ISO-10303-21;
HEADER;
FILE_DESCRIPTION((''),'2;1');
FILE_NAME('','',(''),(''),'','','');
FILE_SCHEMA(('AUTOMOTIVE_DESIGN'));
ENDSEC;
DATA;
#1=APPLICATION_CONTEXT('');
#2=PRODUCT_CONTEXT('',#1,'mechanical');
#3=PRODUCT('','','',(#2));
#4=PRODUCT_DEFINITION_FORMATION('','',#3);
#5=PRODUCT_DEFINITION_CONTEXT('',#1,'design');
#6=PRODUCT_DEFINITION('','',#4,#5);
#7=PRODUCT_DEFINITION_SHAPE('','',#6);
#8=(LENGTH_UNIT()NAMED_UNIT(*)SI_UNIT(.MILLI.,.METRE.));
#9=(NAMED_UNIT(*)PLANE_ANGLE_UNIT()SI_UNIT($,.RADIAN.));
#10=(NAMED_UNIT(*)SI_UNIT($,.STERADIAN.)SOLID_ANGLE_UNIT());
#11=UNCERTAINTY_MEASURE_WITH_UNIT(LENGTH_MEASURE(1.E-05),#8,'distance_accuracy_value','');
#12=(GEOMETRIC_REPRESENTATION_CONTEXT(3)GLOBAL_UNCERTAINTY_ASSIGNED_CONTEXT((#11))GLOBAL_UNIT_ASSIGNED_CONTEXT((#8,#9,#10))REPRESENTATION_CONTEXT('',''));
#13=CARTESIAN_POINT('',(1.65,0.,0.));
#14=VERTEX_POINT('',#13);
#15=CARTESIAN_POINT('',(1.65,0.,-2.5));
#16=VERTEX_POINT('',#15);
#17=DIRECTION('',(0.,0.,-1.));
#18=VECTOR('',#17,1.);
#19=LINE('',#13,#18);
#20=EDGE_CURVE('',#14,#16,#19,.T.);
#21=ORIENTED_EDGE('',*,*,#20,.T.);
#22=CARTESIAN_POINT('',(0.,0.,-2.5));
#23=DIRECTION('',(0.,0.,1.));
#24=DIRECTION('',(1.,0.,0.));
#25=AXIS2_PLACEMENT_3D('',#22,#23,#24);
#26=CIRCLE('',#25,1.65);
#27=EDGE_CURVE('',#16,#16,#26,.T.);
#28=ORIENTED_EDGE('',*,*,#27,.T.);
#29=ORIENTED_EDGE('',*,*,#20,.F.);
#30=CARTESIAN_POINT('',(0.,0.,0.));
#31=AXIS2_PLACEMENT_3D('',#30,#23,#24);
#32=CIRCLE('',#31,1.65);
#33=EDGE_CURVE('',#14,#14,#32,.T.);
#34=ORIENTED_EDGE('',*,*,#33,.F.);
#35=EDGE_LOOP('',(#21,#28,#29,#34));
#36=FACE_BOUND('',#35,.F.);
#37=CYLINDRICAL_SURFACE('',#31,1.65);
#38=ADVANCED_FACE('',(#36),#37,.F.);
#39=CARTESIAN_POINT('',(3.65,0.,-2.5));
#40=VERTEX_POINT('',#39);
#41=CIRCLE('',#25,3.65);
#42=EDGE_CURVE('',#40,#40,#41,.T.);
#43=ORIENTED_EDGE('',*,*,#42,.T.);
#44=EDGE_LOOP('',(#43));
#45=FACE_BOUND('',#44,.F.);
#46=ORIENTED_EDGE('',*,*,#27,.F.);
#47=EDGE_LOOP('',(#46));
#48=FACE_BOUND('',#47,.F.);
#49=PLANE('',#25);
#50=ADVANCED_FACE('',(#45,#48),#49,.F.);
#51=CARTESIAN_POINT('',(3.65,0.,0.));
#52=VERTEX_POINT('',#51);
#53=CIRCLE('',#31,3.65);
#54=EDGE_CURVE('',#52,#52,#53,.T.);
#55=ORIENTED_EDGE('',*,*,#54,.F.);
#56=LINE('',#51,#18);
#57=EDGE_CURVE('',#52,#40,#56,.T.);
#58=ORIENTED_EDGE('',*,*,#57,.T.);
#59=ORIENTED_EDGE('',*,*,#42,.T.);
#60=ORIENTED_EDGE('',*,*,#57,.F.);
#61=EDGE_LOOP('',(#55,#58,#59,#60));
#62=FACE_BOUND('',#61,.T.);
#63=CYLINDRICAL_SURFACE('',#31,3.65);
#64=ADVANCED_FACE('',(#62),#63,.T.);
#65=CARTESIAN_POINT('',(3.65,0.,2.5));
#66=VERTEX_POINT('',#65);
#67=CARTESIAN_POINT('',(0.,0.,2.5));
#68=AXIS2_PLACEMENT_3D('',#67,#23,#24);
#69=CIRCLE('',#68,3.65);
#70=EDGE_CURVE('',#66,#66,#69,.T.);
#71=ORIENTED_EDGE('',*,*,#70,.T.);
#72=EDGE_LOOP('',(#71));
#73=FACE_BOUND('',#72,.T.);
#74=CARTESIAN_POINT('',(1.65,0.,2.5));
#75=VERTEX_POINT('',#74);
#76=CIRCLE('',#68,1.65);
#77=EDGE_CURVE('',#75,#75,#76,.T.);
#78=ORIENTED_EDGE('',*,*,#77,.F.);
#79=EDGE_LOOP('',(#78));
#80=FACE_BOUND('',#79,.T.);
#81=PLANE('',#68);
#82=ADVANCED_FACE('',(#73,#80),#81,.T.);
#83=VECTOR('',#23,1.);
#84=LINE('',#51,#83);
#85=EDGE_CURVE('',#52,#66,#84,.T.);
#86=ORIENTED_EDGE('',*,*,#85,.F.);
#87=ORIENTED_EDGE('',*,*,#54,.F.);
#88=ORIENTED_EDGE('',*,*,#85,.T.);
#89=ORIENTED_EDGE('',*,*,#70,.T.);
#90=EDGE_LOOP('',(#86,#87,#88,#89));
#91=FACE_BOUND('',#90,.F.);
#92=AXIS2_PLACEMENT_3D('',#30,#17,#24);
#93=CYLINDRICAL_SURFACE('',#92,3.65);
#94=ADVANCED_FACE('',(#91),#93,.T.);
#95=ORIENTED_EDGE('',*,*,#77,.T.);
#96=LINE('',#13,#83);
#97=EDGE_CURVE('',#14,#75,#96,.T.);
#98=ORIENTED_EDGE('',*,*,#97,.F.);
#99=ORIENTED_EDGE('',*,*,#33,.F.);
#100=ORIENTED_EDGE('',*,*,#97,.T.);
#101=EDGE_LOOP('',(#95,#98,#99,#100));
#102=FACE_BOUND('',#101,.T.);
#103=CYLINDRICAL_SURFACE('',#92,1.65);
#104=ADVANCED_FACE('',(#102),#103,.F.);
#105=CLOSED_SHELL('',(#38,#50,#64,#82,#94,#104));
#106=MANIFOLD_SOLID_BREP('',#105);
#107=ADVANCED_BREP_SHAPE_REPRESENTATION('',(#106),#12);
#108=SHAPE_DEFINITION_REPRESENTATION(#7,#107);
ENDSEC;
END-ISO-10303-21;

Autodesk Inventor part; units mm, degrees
ref_plane "YZ Plane" through (0, 0, 0) normal (1, 0, 0) x (0, 1, 0)
ref_plane "XZ Plane" through (0, 0, 0) normal (0, 1, 0) x (-1, 0, 0)
ref_plane "XY Plane" through (0, 0, 0) normal (0, 0, 1) x (1, 0, 0)
sketch "スケッチ1" plane through (0, 0, 0) normal (0, 0, 1) x (1, 0, 0)
  circle A0 centre (0, 0) radius 1.65
  circle A1 centre (0, 0) radius 3.65
  dimension "d0" = 3.3
  dimension "d1" = 7.3
extrude "押し出し1" add sketch "スケッチ1" along normal mid plane 5
properties part number "スペーサ5mm_内径3.3mm"
